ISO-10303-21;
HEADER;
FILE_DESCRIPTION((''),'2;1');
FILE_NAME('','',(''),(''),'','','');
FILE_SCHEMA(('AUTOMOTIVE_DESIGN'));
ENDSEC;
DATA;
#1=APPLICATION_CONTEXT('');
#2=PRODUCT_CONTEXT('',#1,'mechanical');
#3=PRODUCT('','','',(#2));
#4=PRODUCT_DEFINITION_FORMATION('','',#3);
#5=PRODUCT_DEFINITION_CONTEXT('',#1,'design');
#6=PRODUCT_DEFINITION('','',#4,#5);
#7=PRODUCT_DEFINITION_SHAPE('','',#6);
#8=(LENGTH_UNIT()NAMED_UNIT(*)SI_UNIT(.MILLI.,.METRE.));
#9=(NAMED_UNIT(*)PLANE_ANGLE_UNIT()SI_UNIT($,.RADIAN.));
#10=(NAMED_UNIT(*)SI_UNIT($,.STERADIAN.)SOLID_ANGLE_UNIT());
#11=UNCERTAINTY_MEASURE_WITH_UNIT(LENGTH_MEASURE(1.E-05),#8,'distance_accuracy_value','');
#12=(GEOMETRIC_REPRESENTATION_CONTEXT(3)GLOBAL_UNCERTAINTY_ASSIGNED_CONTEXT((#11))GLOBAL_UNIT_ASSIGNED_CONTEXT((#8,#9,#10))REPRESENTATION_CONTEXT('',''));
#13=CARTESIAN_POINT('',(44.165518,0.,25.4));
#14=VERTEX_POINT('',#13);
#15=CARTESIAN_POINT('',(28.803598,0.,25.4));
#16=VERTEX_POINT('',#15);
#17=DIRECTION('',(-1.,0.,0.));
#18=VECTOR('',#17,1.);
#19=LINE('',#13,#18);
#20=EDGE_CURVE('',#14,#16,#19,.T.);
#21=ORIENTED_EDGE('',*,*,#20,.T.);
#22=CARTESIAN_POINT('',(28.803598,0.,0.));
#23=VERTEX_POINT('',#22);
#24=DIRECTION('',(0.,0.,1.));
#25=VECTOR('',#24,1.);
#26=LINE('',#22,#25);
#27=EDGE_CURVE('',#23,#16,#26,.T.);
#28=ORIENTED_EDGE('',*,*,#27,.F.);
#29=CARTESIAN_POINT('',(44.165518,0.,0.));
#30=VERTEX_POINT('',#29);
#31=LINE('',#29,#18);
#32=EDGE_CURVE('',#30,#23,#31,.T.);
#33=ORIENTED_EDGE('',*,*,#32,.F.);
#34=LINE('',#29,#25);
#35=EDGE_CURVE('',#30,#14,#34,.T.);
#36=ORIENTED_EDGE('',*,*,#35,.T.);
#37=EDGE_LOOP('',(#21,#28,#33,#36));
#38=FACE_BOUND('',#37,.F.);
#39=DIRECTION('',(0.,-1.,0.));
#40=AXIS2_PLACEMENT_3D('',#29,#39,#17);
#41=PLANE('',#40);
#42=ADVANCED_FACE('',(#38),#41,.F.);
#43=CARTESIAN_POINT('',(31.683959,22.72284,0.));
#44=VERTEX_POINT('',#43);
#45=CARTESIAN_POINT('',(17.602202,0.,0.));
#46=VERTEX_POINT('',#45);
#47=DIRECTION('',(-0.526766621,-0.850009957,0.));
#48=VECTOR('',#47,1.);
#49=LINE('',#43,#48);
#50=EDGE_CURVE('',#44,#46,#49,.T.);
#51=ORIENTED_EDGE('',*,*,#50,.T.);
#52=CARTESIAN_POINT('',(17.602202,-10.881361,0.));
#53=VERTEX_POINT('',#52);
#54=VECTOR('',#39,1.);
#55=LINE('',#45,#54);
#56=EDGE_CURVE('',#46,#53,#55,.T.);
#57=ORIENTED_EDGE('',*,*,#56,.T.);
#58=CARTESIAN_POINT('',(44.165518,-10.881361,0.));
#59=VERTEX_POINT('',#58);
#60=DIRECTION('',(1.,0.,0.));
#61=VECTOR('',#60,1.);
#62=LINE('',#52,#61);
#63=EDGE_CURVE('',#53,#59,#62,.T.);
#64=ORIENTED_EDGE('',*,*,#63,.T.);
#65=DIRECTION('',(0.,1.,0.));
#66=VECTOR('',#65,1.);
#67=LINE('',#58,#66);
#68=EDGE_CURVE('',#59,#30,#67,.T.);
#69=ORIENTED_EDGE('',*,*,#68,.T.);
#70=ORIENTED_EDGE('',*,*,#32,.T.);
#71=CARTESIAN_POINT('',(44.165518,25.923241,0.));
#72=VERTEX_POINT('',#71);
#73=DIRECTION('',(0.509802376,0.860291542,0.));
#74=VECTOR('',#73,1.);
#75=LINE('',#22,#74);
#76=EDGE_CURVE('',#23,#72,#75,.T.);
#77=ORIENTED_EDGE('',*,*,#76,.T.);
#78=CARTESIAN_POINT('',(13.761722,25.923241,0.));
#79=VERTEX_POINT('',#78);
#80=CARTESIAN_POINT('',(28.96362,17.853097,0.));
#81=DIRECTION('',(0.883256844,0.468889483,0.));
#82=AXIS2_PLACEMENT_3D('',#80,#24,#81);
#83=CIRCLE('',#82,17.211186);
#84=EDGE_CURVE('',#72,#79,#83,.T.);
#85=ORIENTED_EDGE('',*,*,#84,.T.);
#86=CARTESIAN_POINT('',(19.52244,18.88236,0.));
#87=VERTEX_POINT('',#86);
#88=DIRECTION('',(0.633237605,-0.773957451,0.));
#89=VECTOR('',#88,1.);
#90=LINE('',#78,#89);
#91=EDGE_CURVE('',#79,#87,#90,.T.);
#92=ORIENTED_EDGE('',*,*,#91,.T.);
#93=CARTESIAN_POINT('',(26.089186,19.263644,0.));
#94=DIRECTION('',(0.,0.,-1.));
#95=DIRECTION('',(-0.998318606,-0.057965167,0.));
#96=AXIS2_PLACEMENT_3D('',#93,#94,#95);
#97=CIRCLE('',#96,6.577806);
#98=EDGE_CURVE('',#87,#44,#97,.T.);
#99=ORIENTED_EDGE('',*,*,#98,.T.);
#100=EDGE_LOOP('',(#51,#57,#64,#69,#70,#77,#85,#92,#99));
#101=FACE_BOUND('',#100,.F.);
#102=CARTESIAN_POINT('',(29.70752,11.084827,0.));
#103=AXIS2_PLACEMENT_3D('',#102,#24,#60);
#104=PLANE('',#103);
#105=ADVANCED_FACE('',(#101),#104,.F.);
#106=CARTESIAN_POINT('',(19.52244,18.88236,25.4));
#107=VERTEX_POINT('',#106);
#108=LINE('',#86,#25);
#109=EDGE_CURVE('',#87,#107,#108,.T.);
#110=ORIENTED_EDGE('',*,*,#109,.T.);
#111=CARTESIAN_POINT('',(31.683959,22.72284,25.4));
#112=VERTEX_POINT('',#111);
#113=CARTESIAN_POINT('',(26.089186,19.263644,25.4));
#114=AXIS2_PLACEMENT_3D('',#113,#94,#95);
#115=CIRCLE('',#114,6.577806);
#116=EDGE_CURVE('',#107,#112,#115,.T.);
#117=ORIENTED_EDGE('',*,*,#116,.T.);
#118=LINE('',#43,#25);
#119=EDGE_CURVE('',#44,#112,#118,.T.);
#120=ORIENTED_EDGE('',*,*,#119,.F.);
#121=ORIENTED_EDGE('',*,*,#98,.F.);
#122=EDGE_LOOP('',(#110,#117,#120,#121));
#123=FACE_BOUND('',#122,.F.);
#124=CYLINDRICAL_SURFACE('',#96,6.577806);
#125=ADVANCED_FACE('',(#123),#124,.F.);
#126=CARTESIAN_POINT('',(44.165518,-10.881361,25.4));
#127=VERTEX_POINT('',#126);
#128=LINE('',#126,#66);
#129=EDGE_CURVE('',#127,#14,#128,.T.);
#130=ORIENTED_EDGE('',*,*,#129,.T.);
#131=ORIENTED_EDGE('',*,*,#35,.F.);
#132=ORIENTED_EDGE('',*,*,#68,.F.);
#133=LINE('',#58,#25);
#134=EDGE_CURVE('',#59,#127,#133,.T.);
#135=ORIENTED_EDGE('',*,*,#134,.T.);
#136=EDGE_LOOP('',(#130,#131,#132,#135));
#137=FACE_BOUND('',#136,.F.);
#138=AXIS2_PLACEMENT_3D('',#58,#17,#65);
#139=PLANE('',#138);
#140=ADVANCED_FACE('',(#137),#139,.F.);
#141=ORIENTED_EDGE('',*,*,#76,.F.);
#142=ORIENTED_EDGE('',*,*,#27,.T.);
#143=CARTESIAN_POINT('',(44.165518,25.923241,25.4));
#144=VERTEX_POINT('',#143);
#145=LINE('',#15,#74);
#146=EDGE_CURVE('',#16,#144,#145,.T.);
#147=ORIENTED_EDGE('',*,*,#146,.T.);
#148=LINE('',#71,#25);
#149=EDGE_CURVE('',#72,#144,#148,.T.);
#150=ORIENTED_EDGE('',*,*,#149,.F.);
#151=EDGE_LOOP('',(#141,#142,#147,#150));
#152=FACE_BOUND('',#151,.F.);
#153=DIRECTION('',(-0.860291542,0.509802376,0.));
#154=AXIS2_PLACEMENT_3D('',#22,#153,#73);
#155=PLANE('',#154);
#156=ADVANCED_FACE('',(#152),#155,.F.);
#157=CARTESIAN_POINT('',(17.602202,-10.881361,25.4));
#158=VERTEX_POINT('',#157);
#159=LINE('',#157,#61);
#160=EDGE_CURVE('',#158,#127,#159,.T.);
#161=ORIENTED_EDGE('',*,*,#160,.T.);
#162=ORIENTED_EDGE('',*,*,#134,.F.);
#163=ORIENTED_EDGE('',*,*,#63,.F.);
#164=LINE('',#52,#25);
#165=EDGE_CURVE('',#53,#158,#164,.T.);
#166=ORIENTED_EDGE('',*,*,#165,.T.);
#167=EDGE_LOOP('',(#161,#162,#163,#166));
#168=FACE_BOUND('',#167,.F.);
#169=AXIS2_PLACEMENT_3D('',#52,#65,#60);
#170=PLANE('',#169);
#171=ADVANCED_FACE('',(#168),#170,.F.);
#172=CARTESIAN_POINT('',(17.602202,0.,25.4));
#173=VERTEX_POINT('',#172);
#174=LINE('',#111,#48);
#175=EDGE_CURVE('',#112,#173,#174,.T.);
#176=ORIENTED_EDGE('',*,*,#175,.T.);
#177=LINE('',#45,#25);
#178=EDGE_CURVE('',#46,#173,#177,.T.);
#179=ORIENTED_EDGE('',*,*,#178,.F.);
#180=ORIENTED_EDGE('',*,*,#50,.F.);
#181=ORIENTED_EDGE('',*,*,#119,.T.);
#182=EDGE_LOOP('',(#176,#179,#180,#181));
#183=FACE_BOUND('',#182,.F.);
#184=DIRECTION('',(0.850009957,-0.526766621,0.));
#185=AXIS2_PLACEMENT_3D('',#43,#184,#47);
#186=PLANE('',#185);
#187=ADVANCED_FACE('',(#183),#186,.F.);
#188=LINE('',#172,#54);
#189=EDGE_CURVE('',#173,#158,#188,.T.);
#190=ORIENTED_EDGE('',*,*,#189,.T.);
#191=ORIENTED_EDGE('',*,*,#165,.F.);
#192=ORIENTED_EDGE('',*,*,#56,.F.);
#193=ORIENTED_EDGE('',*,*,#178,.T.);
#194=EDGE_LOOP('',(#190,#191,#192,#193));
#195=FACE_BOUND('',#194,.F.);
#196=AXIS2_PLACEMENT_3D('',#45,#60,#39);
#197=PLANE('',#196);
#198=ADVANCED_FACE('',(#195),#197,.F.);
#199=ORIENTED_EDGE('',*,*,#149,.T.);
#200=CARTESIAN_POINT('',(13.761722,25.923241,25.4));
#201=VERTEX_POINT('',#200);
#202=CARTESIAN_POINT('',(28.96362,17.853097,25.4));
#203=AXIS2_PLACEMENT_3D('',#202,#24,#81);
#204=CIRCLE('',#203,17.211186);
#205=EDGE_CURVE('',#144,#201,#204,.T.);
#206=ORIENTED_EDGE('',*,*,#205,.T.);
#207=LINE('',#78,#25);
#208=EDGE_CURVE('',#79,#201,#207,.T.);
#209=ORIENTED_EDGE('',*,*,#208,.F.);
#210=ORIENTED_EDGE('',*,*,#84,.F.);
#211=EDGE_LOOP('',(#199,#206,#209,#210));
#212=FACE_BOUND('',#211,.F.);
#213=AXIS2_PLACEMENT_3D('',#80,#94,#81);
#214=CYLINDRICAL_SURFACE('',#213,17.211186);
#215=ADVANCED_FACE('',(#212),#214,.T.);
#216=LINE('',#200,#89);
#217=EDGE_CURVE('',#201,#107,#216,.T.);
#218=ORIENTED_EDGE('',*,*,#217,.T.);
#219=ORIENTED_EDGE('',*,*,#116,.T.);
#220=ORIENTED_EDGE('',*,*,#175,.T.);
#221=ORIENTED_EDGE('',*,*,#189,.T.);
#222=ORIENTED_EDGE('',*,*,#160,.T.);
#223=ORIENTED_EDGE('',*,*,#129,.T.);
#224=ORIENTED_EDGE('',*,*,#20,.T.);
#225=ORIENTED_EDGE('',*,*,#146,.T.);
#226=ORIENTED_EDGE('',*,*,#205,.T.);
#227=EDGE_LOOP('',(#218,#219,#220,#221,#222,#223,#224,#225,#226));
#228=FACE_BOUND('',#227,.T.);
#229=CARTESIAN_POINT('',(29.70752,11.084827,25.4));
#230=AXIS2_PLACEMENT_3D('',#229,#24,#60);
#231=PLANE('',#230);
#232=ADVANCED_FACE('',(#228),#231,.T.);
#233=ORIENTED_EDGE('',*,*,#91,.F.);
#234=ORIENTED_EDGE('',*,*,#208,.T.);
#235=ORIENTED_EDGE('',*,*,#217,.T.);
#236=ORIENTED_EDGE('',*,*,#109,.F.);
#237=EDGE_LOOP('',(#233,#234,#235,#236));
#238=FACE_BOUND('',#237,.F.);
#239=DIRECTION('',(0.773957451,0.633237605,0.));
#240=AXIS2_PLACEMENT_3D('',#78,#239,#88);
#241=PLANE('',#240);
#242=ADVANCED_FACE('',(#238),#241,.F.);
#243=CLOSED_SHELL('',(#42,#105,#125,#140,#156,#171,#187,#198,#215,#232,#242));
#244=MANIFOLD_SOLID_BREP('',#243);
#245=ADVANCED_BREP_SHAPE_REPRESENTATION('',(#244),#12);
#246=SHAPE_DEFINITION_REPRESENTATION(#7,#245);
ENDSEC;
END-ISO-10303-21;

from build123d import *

# Parameters (mm, degrees)
F1_DEPTH = 25.4


with BuildPart() as f1:
    # F0 (on Top) → F1 (new body)
    with BuildSketch(Plane.XY):
        with BuildLine():
            Line((28.803598, 0), (44.165518, 25.923241))
            ThreePointArc((44.165518, 25.923241), (28.96362, 35.064283), (13.761722, 25.923241))
            Line((13.761722, 25.923241), (19.52244, 18.88236))
            ThreePointArc((19.52244, 18.88236), (24.108402, 25.536125), (31.683959, 22.72284))
            Line((31.683959, 22.72284), (17.602202, 0))
            Line((17.602202, 0), (17.602202, -10.881361))
            Line((17.602202, -10.881361), (44.165518, -10.881361))
            Line((44.165518, -10.881361), (44.165518, 0))
            Line((44.165518, 0), (28.803598, 0))
        make_face()
    extrude(amount=F1_DEPTH)


solid = f1.part
